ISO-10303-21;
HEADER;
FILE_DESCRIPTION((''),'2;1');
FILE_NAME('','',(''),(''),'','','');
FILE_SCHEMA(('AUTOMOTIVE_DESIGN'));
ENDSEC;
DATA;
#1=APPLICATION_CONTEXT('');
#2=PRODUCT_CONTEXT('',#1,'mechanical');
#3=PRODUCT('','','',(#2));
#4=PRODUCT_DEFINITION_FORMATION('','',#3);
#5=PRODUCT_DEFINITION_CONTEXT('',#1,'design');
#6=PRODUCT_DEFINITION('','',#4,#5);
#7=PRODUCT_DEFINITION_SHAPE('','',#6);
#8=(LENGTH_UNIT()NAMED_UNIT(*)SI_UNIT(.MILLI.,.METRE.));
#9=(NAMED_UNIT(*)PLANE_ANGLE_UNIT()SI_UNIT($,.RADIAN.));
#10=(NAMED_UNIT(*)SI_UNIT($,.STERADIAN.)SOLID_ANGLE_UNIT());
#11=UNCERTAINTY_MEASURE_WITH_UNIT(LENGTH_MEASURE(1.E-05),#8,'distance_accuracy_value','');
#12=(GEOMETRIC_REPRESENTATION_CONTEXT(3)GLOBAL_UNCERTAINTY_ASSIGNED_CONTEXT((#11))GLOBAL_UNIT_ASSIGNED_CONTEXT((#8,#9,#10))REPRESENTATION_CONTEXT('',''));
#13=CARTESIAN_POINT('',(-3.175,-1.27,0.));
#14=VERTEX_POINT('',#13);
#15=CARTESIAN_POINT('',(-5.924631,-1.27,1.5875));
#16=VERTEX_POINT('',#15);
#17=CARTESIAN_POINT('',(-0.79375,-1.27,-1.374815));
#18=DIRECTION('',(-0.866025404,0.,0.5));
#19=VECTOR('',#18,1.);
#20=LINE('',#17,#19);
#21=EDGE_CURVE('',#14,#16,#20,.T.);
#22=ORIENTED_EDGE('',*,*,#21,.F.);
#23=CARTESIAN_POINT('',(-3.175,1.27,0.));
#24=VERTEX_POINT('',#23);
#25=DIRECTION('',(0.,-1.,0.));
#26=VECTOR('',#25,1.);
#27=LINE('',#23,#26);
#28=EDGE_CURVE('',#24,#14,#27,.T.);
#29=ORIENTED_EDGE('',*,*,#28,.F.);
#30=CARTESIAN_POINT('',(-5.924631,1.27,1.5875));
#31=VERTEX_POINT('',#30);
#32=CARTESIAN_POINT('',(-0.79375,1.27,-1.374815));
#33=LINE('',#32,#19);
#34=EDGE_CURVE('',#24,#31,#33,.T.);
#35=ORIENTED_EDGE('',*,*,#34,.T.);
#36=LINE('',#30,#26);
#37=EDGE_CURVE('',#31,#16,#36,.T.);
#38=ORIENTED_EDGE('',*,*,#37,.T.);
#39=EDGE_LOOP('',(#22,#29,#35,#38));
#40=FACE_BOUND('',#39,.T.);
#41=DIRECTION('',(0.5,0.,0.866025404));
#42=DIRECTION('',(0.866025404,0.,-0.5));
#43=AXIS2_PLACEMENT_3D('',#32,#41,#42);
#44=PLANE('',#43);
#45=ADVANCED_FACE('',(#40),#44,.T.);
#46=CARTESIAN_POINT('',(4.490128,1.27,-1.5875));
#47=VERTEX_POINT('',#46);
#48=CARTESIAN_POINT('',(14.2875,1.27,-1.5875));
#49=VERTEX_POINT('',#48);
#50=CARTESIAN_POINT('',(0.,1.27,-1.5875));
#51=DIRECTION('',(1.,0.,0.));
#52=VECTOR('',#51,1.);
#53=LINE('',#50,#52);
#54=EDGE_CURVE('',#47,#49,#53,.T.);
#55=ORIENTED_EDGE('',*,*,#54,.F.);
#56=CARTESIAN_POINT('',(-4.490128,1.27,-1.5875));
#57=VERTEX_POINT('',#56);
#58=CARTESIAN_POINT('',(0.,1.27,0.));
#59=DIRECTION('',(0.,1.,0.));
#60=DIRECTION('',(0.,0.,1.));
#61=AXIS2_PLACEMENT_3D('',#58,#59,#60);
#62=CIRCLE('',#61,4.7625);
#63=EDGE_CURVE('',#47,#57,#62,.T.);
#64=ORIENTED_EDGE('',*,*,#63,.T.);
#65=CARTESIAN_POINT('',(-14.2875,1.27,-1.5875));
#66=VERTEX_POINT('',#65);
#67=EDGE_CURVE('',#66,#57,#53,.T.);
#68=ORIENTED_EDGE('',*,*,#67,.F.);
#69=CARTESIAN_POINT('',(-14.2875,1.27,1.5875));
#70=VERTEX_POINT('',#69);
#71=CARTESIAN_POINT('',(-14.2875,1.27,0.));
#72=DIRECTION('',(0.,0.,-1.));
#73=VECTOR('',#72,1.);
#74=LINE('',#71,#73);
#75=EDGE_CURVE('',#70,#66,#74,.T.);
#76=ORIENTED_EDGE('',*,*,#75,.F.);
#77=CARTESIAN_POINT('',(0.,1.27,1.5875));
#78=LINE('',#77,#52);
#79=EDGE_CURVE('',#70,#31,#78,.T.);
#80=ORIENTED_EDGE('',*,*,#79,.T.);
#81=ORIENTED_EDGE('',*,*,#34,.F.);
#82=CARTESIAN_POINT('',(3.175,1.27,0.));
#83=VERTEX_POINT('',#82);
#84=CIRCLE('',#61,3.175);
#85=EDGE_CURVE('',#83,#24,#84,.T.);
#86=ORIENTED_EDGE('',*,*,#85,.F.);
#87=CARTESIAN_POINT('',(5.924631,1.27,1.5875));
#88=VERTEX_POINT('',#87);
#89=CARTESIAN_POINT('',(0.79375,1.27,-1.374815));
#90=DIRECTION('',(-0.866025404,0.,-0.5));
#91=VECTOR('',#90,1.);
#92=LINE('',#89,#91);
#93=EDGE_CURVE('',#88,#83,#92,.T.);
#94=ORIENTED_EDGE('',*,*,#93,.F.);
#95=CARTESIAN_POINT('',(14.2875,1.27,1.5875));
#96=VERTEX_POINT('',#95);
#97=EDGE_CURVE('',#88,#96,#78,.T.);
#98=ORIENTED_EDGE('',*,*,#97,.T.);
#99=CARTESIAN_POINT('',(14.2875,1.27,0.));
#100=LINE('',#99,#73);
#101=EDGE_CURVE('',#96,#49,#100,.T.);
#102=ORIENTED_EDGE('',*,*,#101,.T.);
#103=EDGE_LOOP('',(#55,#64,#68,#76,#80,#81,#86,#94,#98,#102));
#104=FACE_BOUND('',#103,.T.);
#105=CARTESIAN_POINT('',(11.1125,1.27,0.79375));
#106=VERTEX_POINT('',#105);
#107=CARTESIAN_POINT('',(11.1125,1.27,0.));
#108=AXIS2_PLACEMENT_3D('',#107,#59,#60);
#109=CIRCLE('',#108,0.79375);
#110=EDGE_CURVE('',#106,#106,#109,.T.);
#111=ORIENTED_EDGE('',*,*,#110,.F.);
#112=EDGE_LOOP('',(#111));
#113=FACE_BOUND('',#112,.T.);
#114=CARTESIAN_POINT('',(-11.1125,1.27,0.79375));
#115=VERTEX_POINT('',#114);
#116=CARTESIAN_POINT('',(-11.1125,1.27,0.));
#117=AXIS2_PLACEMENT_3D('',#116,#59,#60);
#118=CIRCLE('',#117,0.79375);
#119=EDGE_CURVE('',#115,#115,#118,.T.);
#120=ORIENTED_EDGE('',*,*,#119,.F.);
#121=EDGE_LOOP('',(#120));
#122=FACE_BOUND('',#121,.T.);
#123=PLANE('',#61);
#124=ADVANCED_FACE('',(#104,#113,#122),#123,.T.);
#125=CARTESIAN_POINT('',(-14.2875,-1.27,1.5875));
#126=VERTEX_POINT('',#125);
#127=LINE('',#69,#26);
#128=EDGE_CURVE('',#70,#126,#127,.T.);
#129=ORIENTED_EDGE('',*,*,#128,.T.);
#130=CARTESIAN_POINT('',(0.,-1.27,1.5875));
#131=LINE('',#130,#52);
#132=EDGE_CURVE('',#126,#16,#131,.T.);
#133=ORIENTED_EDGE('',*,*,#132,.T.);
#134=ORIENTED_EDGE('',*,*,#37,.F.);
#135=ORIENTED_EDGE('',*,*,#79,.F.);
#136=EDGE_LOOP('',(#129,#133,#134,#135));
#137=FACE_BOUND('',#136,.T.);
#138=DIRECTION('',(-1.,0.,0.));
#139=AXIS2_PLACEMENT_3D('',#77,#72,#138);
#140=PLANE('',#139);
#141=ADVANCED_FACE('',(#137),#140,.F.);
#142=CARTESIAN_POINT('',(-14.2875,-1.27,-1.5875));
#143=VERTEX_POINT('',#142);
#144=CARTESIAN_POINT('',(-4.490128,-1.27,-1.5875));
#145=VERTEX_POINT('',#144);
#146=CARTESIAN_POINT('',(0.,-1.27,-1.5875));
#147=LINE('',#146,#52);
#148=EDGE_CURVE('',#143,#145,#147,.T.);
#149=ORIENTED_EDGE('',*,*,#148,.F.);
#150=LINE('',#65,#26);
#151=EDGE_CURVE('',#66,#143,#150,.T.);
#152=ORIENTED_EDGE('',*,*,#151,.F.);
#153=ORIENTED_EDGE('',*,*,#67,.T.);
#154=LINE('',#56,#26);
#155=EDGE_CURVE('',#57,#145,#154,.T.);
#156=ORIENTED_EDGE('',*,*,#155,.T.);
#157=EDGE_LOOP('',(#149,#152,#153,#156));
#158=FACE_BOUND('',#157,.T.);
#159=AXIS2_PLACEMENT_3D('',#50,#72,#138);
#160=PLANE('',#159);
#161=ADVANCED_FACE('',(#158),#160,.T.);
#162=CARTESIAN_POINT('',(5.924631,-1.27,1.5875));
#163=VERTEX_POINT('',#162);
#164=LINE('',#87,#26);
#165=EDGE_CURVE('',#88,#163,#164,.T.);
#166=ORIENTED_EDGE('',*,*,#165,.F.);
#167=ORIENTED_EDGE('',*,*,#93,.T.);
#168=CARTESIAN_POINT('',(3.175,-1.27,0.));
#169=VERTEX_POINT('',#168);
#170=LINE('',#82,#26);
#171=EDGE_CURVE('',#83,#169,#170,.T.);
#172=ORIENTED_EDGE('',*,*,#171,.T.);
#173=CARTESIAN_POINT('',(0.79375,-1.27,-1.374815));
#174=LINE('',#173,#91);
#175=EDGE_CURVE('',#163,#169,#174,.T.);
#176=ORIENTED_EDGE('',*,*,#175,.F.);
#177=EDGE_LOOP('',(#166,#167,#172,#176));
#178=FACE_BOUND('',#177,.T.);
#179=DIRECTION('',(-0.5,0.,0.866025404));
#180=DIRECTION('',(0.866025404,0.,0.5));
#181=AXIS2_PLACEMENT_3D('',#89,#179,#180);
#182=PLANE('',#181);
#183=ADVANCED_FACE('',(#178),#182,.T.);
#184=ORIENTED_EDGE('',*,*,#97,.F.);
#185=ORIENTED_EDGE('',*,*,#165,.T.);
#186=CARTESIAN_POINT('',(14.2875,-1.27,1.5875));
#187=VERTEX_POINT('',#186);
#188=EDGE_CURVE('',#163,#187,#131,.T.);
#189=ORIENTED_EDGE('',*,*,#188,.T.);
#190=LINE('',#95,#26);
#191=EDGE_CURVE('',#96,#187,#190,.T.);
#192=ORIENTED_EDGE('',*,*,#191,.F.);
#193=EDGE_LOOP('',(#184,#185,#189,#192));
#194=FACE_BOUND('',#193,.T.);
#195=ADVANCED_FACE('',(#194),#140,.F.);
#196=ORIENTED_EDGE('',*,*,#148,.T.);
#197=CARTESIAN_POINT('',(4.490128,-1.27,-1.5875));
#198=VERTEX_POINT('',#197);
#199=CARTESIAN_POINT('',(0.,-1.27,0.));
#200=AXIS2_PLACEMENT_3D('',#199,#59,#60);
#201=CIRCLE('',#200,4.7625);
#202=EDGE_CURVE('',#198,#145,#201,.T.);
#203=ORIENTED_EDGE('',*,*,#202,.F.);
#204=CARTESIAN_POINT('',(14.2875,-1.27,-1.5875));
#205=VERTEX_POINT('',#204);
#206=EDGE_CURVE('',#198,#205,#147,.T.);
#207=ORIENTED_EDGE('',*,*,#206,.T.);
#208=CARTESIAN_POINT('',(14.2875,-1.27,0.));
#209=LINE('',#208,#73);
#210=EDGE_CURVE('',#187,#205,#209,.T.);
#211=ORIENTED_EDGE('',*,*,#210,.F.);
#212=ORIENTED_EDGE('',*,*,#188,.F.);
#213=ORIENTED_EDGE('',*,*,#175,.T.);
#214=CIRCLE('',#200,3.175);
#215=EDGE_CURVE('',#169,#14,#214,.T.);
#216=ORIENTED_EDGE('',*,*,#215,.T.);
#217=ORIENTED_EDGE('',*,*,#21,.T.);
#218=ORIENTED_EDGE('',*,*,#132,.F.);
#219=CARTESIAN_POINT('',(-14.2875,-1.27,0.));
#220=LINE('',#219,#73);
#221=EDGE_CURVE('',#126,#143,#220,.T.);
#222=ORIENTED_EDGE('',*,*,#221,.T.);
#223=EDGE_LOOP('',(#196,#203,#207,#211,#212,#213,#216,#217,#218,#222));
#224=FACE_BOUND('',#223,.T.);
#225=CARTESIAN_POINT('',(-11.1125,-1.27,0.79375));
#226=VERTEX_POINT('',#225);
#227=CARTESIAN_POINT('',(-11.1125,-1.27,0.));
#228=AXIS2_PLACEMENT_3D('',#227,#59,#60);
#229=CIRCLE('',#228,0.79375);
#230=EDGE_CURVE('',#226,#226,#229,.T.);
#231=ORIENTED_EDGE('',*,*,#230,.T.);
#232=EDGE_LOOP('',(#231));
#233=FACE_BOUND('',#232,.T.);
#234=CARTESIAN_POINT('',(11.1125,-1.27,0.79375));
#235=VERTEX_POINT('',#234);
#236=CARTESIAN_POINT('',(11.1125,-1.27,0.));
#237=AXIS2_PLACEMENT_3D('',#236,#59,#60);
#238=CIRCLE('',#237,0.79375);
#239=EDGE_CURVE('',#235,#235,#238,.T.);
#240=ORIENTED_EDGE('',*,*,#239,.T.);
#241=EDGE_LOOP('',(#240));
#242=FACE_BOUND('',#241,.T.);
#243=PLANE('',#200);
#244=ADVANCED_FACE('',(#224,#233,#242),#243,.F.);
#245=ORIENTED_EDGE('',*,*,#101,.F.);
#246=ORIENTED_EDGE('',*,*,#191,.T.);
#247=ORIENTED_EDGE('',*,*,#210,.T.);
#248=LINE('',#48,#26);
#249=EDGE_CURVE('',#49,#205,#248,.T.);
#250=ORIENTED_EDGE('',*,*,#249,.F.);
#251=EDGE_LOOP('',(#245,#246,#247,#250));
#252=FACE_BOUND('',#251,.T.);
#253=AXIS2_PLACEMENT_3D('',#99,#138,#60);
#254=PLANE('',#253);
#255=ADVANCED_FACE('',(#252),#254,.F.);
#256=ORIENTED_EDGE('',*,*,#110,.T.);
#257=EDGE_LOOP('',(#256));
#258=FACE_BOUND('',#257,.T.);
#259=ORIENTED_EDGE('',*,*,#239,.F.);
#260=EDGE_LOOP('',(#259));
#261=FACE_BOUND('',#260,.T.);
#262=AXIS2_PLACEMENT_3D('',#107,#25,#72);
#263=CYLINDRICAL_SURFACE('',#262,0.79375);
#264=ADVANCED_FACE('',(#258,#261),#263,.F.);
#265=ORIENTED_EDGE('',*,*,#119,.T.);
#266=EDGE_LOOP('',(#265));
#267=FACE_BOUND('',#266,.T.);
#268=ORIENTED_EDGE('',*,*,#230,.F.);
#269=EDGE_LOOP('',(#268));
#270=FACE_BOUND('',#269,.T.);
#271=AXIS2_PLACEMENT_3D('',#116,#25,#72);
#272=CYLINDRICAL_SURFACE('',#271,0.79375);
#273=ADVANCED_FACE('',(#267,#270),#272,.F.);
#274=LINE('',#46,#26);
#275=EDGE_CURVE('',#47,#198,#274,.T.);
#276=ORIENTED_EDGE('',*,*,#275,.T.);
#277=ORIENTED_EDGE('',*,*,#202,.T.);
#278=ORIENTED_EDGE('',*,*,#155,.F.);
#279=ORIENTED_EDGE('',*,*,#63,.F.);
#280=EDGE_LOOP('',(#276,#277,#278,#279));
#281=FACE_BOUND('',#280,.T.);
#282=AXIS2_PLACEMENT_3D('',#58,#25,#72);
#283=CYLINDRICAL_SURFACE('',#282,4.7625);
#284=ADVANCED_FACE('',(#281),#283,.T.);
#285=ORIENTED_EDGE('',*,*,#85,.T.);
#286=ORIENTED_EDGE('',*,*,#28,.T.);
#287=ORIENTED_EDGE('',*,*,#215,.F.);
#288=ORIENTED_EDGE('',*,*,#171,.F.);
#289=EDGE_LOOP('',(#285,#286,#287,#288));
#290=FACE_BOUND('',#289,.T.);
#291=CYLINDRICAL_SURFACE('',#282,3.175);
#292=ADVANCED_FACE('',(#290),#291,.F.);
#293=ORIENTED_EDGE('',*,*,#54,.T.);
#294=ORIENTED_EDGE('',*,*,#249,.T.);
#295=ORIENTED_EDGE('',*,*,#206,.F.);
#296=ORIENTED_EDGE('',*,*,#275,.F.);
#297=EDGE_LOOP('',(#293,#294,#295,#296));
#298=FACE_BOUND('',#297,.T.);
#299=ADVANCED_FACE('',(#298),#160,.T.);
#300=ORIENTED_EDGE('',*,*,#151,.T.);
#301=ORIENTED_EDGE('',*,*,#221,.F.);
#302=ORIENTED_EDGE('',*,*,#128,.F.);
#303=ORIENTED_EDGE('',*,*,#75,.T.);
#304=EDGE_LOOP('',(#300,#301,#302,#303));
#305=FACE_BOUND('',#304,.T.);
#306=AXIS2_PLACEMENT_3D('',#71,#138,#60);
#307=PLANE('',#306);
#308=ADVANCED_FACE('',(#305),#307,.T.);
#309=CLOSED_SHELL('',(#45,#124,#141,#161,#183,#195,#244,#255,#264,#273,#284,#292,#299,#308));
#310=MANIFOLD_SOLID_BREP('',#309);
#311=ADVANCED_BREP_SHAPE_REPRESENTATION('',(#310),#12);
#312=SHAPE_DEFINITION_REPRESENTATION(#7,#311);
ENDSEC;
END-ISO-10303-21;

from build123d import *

# Parameters (mm, degrees)
SKETCH1_R           = 0.79375
BOSS_EXTRUDE1_DEPTH = 1.27


with BuildPart() as part:
    # Sketch1 → Boss-Extrude1 (new, symmetric)
    # profile 1 of 7: a face of its own
    with BuildSketch(Plane(origin=(0, 0, 0), x_dir=(1, 0, 0), z_dir=(0, 1, 0))):
        with BuildLine():
            ThreePointArc((-4.682314967, -0.870248702), (-4.742411374, -0.436967517), (-4.7625, 0))
            ThreePointArc((-4.7625, 0), (-4.69391314, 0.805348174), (-4.490128061, 1.5875))
            Line((-4.490128061, 1.5875), (-14.2875, 1.5875))
            Line((-14.2875, 1.5875), (-14.2875, -1.5875))
            Line((-14.2875, -1.5875), (-5.924630657, -1.5875))
            Line((-5.924630657, -1.5875), (-4.682314967, -0.870248702))
        make_face()
        with Locations(Location((-11.1125, 0, 0), (0, 0, 270))):
            Circle(SKETCH1_R, mode=Mode.SUBTRACT)
    # profile 2 of 7: a face of its own
    with BuildSketch(Plane(origin=(0, 0, 0), x_dir=(1, 0, 0), z_dir=(0, 1, 0))):
        with BuildLine():
            Line((-4.7625, 0), (-3.175, 0))
            ThreePointArc((-3.175, 0), (-3.066814498, 0.821750468), (-2.749630657, 1.5875))
            Line((-2.749630657, 1.5875), (-4.490128061, 1.5875))
            ThreePointArc((-4.490128061, 1.5875), (-4.69391314, 0.805348174), (-4.7625, 0))
        make_face()
    # profile 3 of 7: a face of its own
    with BuildSketch(Plane(origin=(0, 0, 0), x_dir=(1, 0, 0), z_dir=(0, 1, 0))):
        with BuildLine():
            ThreePointArc((-2.749630657, 1.5875), (0, 3.175), (2.749630657, 1.5875))
            Line((2.749630657, 1.5875), (4.490128061, 1.5875))
            ThreePointArc((4.490128061, 1.5875), (0, 4.7625), (-4.490128061, 1.5875))
            Line((-4.490128061, 1.5875), (-2.749630657, 1.5875))
        make_face()
    # profile 4 of 7: a face of its own
    with BuildSketch(Plane(origin=(0, 0, 0), x_dir=(1, 0, 0), z_dir=(0, 1, 0))):
        with BuildLine():
            ThreePointArc((2.749630657, 1.5875), (3.066814498, 0.821750468), (3.175, 0))
            Line((3.175, 0), (4.7625, 0))
            ThreePointArc((4.7625, 0), (4.69391314, 0.805348174), (4.490128061, 1.5875))
            Line((4.490128061, 1.5875), (2.749630657, 1.5875))
        make_face()
    # profile 5 of 7: a face of its own
    with BuildSketch(Plane(origin=(0, 0, 0), x_dir=(1, 0, 0), z_dir=(0, 1, 0))):
        with BuildLine():
            ThreePointArc((4.490128061, 1.5875), (4.69391314, 0.805348174), (4.7625, 0))
            ThreePointArc((4.7625, 0), (4.742411374, -0.436967517), (4.682314967, -0.870248702))
            Line((4.682314967, -0.870248702), (5.924630657, -1.5875))
            Line((5.924630657, -1.5875), (14.2875, -1.5875))
            Line((14.2875, -1.5875), (14.2875, 1.5875))
            Line((14.2875, 1.5875), (4.490128061, 1.5875))
        make_face()
        with Locations(Location((11.1125, 0, 0), (0, 0, 270))):
            Circle(SKETCH1_R, mode=Mode.SUBTRACT)
    # profile 6 of 7: a face of its own
    with BuildSketch(Plane(origin=(0, 0, 0), x_dir=(1, 0, 0), z_dir=(0, 1, 0))):
        with BuildLine():
            Line((-4.682314967, -0.870248702), (-3.175, 0))
            Line((-3.175, 0), (-4.7625, 0))
            ThreePointArc((-4.7625, 0), (-4.742411374, -0.436967517), (-4.682314967, -0.870248702))
        make_face()
    # profile 7 of 7: a face of its own
    with BuildSketch(Plane(origin=(0, 0, 0), x_dir=(1, 0, 0), z_dir=(0, 1, 0))):
        with BuildLine():
            Line((4.7625, 0), (3.175, 0))
            Line((3.175, 0), (4.682314967, -0.870248702))
            ThreePointArc((4.682314967, -0.870248702), (4.742411374, -0.436967517), (4.7625, 0))
        make_face()
    extrude(amount=BOSS_EXTRUDE1_DEPTH, both=True)


solid = part.part
